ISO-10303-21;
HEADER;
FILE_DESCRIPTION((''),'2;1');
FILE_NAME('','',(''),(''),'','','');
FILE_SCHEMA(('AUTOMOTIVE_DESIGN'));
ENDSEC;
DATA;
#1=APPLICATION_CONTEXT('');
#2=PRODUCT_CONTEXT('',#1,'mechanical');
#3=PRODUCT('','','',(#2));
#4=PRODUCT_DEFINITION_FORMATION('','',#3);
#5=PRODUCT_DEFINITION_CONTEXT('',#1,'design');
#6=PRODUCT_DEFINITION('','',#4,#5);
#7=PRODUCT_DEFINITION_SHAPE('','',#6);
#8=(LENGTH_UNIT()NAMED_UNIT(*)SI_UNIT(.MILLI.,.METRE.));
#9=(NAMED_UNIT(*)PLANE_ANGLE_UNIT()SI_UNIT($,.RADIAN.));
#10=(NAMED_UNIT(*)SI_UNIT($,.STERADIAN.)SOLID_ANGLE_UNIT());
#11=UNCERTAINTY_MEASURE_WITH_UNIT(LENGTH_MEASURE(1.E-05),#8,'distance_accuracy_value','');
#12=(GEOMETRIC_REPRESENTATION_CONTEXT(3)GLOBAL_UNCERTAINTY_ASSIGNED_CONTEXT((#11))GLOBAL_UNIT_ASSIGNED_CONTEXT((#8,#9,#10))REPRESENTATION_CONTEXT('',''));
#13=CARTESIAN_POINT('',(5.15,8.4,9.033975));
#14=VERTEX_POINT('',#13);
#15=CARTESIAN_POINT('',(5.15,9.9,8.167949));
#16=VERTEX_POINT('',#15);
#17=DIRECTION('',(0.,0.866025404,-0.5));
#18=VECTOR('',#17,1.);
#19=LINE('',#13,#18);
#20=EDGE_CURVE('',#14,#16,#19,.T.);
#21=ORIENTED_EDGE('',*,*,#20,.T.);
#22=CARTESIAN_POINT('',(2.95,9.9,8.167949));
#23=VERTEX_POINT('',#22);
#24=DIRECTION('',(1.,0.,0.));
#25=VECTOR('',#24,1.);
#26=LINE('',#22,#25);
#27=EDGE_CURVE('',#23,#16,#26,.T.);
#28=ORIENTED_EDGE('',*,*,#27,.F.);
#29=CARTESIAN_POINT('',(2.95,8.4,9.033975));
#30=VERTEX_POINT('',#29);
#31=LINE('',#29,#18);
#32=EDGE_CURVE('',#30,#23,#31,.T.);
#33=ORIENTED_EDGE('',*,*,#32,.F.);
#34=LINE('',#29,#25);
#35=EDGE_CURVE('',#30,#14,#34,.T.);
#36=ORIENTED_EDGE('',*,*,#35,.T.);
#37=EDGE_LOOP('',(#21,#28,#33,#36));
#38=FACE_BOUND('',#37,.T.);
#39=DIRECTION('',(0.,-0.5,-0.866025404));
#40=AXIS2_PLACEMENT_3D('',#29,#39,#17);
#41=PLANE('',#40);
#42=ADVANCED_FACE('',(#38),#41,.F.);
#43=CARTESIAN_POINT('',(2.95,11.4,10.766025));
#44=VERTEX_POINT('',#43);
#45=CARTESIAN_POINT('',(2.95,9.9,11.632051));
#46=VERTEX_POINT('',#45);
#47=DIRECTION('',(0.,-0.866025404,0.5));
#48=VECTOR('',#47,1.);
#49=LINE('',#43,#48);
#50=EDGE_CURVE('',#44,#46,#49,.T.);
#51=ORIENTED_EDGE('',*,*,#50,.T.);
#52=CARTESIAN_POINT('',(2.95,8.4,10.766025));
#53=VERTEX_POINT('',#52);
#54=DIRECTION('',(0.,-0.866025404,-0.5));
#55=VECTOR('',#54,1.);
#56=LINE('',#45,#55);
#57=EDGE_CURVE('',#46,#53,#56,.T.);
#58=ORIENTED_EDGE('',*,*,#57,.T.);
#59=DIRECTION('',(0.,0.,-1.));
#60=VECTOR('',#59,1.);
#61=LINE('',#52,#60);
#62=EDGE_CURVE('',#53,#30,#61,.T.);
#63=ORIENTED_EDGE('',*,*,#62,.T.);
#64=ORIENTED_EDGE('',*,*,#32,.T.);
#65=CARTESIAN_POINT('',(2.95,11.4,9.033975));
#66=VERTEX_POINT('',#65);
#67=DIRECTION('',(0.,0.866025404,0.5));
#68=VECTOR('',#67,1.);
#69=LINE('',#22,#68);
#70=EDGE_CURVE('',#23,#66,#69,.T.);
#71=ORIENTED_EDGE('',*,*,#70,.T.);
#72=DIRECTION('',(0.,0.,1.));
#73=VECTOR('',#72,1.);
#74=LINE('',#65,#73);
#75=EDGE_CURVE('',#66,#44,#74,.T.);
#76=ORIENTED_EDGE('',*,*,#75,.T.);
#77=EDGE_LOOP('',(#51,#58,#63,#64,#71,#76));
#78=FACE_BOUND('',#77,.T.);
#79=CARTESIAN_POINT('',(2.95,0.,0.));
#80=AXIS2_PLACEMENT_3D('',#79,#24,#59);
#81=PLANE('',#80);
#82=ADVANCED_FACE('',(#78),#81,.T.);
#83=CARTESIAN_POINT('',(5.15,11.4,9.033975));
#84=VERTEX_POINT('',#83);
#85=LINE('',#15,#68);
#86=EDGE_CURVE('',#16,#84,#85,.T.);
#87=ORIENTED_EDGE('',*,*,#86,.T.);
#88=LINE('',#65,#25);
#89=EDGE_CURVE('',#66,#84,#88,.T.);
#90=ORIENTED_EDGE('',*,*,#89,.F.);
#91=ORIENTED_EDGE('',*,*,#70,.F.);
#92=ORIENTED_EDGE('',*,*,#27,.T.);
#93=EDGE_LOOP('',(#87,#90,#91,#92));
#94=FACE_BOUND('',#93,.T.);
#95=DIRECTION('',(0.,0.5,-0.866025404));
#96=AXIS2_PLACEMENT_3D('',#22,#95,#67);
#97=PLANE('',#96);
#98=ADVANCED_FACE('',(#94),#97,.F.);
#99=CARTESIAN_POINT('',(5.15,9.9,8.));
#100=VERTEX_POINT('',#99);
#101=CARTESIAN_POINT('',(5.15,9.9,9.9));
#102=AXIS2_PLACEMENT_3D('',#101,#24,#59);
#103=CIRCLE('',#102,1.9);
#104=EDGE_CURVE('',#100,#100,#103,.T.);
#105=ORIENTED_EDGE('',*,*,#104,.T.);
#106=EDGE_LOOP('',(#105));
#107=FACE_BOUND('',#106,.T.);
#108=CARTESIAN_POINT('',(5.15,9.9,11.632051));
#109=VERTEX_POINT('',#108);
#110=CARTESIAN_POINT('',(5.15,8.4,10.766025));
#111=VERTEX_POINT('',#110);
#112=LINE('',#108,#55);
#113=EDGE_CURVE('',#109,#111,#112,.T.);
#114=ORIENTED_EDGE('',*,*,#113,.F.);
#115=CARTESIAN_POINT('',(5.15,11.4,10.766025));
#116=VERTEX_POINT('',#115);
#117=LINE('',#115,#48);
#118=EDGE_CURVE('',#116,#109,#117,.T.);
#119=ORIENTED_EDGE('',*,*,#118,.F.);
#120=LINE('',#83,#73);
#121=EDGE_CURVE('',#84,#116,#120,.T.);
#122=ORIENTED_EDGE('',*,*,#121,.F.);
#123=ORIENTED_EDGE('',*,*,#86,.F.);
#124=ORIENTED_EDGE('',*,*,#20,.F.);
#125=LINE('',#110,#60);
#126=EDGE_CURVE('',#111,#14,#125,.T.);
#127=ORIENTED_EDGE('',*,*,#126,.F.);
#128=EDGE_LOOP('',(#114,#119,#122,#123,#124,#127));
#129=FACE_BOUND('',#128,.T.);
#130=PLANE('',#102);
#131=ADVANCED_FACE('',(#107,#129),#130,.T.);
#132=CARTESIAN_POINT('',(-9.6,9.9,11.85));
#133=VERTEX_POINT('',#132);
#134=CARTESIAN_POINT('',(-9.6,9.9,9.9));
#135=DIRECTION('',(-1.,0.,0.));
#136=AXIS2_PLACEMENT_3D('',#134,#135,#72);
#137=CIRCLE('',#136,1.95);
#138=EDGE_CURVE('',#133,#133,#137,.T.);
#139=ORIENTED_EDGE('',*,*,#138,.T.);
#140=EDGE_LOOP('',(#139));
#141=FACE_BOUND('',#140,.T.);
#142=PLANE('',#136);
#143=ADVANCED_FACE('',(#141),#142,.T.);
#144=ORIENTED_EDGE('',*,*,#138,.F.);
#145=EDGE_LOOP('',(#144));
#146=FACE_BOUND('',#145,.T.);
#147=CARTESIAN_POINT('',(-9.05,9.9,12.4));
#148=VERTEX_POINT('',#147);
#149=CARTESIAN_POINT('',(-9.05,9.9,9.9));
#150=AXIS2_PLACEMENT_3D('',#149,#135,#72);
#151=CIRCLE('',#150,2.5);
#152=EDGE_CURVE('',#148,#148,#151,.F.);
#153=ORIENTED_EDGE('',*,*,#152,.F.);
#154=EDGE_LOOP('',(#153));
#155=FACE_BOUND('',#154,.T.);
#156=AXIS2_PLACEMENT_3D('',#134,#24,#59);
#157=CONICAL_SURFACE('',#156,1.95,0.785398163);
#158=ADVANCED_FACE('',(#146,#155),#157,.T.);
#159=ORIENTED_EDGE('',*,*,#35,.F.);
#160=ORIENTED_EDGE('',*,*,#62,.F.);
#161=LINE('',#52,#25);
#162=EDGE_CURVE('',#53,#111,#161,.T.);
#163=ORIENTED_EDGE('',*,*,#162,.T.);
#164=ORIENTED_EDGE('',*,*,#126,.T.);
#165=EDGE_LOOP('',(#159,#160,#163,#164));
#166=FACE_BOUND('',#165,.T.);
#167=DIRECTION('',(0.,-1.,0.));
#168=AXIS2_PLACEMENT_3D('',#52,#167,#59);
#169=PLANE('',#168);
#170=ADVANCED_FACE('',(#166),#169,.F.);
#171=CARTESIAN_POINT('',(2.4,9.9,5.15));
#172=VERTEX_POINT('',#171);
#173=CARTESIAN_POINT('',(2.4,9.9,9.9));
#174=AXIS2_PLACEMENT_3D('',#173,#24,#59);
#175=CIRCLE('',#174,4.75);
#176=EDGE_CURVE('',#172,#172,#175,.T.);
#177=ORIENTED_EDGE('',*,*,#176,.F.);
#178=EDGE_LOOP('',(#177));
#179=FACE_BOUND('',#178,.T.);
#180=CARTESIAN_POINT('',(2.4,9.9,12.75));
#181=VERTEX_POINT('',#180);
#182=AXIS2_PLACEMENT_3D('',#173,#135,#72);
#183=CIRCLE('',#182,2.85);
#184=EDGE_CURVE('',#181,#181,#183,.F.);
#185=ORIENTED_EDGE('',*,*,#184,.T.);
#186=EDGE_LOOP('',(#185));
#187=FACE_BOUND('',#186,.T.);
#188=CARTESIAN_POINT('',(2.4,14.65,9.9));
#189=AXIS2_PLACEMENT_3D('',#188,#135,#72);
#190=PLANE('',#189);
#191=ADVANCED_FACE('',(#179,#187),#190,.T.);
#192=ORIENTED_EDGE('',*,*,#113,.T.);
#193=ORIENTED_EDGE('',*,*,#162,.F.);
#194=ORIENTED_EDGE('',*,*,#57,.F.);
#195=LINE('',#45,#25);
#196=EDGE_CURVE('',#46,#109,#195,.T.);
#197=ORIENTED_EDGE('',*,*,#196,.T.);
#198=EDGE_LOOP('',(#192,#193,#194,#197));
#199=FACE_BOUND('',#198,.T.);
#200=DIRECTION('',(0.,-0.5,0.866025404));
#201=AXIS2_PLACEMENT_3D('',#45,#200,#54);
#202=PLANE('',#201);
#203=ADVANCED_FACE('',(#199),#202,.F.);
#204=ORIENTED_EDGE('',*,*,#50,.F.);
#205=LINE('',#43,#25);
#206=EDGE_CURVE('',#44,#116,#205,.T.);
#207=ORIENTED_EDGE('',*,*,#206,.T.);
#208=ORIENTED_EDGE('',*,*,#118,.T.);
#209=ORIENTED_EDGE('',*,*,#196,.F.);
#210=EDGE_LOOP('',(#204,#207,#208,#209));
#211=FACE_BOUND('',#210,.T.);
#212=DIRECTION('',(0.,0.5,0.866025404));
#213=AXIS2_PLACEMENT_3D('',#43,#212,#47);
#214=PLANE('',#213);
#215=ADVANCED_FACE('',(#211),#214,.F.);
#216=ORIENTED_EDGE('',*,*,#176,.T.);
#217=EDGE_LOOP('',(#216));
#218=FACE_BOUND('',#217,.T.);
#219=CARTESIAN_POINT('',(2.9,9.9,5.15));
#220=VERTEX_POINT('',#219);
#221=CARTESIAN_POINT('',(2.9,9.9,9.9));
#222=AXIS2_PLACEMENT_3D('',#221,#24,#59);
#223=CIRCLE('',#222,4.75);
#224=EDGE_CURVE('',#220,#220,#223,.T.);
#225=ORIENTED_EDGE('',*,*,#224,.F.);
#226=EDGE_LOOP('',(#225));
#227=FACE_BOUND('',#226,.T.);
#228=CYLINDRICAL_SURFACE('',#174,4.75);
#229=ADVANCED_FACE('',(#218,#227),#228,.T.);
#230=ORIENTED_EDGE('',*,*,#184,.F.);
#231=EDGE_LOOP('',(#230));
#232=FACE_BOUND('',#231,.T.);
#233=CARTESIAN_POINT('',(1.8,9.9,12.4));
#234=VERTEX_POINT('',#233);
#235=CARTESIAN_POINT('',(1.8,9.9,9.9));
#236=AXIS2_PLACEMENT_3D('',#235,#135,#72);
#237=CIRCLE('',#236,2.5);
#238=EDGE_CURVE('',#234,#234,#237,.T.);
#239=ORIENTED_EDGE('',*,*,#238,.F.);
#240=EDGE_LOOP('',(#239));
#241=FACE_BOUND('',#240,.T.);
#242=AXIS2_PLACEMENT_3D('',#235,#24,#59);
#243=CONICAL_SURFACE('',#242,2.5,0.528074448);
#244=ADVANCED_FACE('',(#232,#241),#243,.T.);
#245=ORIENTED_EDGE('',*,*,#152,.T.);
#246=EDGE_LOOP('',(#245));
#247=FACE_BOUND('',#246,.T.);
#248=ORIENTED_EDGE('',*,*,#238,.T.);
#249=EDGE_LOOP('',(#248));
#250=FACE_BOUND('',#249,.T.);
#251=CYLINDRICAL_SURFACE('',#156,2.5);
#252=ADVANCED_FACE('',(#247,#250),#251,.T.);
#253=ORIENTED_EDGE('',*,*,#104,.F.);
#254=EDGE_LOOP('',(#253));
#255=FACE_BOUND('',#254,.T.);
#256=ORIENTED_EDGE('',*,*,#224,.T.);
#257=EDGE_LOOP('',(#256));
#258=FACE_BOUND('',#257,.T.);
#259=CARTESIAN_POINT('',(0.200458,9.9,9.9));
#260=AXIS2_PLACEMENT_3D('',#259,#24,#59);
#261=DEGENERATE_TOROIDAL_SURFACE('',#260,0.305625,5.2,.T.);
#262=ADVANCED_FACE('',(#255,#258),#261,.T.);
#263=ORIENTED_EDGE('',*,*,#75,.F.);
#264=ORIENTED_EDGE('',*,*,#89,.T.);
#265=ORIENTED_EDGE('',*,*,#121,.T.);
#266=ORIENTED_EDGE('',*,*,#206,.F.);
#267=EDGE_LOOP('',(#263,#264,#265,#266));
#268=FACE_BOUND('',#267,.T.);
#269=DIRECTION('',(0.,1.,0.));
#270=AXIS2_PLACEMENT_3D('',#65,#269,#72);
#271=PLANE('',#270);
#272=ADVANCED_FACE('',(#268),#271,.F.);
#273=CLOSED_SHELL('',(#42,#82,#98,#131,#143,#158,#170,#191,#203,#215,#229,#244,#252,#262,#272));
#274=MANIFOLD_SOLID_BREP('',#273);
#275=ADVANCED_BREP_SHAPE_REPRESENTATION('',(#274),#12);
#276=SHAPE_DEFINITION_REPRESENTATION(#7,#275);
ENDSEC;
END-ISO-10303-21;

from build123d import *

# Parameters (mm, degrees)
SKETCH2_R           = 2.5
BOSS_EXTRUDE1_DEPTH = 12
CUT_EXTRUDE1_DEPTH  = 2.2
CHAMFER1_SIZE       = 0.55
CHAMFER2_SIZE       = 0.35
CHAMFER2_SIZE2      = 0.6


with BuildPart() as part:
    # Sketch1 → Revolve1 (revolve)
    with BuildSketch(Plane.XY.offset(9.9)):
        with BuildLine():
            Line((2.4, 14.65), (2.4, 9.9))
            Line((2.4, 9.9), (5.15, 9.9))
            Line((5.15, 9.9), (5.15, 11.8))
            ThreePointArc((5.15, 11.8), (4.281848259, 13.427774941), (2.899999999, 14.65))
            Line((2.899999999, 14.65), (2.4, 14.65))
        make_face()
    revolve(axis=Axis((2.4, 9.9, 9.9), (1, 0, 0)))

    # Sketch2 → Boss-Extrude1 (add)
    with BuildSketch(Plane.ZY.offset(-2.4)):
        with Locations((9.9, 9.9)):
            Circle(SKETCH2_R)
    extrude(amount=BOSS_EXTRUDE1_DEPTH)

    # Sketch3 → Cut-Extrude1 (cut)
    with BuildSketch(Plane(origin=(5.15, 0, 0), x_dir=(0, 0, -1), z_dir=(1, 0, 0))):
        Polygon((-11.6320508, 9.9), (-10.766025397, 8.400000002), (-9.033974587, 8.400000002), (-8.167949184, 9.9), (-9.033974587, 11.399999998), (-10.766025397, 11.399999998), align=None)
    extrude(amount=-CUT_EXTRUDE1_DEPTH, mode=Mode.SUBTRACT)

    # Chamfer1
    chamfer1_edges = [part.edges().sort_by_distance(p)[0] for p in [
        (-9.6, 9.9, 7.4),
    ]]
    chamfer(chamfer1_edges, length=CHAMFER1_SIZE)

    # Chamfer2
    chamfer2_edges = [part.edges().sort_by_distance(p)[0] for p in [
        (2.4, 9.9, 7.4),
    ]]
    chamfer2_side = [part.faces().sort_by_distance(p)[0] for p in [
        (2.4, 5.284350289, 9.9),
    ]]
    chamfer(chamfer2_edges, length=CHAMFER2_SIZE, length2=CHAMFER2_SIZE2, reference=chamfer2_side[0])


solid = part.part
